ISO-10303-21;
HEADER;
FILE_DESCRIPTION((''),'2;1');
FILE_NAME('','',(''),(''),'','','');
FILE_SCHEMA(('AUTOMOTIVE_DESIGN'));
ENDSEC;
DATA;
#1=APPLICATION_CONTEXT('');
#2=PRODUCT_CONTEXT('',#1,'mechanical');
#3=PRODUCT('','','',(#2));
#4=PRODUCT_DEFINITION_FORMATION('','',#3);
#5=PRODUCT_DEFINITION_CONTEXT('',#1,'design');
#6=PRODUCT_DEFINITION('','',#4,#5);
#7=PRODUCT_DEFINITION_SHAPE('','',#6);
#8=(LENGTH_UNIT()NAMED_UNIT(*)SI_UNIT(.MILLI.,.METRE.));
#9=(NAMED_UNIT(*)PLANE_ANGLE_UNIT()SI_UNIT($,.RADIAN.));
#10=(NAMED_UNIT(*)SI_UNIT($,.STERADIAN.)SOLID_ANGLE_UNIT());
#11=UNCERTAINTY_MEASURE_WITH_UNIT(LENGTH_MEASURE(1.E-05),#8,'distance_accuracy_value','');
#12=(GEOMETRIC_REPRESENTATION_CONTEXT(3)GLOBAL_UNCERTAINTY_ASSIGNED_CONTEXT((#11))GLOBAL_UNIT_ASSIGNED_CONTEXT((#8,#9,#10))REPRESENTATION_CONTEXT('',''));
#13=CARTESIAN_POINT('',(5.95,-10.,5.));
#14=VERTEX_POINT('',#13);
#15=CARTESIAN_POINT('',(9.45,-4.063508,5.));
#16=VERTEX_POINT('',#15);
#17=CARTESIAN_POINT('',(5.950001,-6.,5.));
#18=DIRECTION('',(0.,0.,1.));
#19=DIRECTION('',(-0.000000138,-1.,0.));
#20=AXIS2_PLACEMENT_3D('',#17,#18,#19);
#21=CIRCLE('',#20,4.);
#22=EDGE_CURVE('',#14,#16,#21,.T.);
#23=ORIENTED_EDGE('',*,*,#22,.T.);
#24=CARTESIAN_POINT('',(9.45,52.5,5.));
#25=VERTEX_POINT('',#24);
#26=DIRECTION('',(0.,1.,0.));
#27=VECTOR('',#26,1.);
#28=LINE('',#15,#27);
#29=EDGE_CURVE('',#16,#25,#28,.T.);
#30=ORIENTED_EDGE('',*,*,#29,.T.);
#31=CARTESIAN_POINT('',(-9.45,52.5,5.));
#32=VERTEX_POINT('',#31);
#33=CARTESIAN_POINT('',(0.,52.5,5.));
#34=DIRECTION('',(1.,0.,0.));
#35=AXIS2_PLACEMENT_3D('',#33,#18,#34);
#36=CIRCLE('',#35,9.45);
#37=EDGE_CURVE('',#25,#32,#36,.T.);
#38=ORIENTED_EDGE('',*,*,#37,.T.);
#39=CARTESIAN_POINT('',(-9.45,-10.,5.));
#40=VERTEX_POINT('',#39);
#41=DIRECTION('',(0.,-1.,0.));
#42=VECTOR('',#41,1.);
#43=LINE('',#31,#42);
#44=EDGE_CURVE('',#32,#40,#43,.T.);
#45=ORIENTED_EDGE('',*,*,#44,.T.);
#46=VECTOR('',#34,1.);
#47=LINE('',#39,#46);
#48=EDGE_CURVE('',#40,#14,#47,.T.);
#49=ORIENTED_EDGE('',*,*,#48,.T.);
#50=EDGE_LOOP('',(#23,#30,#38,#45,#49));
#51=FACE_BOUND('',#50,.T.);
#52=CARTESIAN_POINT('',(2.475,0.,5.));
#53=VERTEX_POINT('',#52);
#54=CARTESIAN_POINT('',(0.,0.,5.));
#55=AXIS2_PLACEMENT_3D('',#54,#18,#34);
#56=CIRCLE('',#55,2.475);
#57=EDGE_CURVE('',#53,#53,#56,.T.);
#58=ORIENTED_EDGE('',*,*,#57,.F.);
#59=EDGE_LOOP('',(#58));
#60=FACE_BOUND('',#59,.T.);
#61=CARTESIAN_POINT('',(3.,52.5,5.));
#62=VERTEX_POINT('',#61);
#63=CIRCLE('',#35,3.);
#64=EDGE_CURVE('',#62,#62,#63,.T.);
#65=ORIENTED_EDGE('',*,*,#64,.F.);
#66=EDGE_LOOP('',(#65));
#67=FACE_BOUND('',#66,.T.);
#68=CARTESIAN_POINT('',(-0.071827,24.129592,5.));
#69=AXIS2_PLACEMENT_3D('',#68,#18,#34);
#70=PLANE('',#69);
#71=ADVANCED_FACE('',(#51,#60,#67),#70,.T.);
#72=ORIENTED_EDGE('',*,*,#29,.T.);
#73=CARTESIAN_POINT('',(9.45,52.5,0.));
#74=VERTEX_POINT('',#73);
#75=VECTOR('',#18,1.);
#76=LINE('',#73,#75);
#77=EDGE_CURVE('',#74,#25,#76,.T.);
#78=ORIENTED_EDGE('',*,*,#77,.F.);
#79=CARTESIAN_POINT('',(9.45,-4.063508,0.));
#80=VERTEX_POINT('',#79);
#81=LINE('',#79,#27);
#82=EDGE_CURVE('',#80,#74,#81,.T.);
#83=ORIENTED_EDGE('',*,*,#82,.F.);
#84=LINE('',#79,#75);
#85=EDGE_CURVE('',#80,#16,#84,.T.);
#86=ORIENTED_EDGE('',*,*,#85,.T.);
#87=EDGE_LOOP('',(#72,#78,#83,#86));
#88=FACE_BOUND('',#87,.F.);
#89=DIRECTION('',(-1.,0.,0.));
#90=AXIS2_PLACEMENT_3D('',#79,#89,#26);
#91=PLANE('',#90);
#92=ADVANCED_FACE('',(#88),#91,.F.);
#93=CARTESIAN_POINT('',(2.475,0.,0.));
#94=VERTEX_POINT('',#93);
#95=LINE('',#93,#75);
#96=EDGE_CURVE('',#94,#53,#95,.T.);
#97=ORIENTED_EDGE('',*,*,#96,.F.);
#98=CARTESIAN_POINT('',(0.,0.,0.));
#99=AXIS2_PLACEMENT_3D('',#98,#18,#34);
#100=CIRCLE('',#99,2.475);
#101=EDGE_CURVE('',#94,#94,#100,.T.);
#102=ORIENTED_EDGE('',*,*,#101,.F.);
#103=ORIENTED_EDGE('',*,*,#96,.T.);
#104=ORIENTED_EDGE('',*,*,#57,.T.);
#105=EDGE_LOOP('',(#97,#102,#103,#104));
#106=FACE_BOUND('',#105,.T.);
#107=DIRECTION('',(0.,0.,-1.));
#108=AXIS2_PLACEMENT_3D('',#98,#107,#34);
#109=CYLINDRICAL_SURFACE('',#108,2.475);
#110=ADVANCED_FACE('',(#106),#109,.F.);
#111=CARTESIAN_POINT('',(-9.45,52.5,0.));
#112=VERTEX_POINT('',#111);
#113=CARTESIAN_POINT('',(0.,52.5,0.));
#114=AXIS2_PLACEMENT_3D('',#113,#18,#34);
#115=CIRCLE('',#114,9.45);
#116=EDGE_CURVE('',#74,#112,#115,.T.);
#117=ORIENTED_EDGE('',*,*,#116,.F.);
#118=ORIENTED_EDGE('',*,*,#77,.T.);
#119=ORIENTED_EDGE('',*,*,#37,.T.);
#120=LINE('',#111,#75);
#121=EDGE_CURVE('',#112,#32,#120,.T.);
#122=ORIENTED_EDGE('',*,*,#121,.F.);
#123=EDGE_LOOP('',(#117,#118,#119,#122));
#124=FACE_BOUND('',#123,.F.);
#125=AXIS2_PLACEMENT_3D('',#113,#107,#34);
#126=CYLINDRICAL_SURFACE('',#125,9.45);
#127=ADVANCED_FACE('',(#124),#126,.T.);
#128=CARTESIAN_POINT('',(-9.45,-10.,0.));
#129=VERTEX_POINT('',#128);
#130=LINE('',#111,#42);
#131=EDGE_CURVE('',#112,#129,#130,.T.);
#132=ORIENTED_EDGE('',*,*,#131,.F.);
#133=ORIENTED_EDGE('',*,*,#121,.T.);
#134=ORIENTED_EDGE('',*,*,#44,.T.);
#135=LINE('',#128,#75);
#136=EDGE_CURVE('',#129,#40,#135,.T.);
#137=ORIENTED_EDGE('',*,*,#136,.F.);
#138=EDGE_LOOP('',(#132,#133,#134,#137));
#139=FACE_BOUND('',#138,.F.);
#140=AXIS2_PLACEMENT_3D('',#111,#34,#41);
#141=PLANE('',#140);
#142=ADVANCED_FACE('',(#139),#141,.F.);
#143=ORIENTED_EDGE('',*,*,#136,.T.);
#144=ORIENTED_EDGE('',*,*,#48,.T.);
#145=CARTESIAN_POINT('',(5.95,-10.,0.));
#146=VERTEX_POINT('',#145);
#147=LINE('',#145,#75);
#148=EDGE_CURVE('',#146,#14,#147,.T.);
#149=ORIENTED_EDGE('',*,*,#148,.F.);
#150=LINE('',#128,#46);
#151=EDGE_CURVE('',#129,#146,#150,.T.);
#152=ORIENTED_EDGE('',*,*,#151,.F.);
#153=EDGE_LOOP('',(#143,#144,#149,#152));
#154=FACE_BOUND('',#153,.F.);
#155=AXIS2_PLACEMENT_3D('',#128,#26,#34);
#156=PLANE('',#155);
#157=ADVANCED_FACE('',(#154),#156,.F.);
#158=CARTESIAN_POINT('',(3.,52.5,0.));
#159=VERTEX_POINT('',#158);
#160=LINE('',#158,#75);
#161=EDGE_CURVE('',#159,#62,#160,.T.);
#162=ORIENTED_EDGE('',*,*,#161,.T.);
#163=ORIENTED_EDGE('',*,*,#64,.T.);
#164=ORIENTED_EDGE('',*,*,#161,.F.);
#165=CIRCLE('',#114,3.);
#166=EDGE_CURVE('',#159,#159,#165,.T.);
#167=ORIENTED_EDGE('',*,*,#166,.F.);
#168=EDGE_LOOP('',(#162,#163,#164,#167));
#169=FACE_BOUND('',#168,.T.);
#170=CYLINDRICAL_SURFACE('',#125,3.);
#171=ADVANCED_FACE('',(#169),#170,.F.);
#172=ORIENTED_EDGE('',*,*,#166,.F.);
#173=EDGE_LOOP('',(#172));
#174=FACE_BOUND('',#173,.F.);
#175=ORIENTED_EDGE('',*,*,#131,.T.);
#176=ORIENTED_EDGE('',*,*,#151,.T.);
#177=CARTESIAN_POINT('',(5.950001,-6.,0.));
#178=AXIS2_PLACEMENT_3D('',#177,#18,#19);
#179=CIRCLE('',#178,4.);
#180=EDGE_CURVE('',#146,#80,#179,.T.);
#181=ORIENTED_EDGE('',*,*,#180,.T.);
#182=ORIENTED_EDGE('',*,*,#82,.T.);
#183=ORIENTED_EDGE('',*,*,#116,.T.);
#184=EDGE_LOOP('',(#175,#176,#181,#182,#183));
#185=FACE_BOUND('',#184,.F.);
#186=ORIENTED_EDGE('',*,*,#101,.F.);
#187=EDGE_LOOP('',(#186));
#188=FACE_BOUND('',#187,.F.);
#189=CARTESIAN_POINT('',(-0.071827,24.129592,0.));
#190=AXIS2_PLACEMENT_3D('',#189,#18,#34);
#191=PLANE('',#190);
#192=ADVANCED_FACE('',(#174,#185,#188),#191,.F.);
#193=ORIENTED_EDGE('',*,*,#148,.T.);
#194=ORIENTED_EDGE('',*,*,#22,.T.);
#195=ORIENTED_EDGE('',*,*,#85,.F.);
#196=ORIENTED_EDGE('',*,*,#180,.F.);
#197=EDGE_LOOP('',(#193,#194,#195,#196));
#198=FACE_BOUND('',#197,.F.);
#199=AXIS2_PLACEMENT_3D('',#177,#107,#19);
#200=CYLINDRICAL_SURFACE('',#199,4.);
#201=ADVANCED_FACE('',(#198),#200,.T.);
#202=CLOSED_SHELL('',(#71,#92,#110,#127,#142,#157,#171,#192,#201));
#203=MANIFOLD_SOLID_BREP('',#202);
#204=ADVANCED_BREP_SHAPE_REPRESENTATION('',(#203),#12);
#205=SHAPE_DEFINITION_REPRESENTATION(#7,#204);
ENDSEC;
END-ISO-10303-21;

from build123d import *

# Parameters (mm, degrees)
F0_R     = 2.475
F0_R_2   = 3
F1_DEPTH = 5


with BuildPart() as f1:
    # F0 (on Top) → F1 (new body)
    with BuildSketch(Plane.XY):
        with BuildLine():
            Line((-9.45, 52.5), (-9.45, -10))
            Line((-9.45, -10), (5.95, -10))
            ThreePointArc((5.95, -10), (9.39572, -8.031506), (9.45, -4.063508))
            Line((9.45, -4.063508), (9.45, 52.5))
            ThreePointArc((9.45, 52.5), (0, 61.95), (-9.45, 52.5))
        make_face()
        Circle(F0_R, mode=Mode.SUBTRACT)
        with Locations((0, 52.5)):
            Circle(F0_R_2, mode=Mode.SUBTRACT)
    extrude(amount=F1_DEPTH)


solid = f1.part
